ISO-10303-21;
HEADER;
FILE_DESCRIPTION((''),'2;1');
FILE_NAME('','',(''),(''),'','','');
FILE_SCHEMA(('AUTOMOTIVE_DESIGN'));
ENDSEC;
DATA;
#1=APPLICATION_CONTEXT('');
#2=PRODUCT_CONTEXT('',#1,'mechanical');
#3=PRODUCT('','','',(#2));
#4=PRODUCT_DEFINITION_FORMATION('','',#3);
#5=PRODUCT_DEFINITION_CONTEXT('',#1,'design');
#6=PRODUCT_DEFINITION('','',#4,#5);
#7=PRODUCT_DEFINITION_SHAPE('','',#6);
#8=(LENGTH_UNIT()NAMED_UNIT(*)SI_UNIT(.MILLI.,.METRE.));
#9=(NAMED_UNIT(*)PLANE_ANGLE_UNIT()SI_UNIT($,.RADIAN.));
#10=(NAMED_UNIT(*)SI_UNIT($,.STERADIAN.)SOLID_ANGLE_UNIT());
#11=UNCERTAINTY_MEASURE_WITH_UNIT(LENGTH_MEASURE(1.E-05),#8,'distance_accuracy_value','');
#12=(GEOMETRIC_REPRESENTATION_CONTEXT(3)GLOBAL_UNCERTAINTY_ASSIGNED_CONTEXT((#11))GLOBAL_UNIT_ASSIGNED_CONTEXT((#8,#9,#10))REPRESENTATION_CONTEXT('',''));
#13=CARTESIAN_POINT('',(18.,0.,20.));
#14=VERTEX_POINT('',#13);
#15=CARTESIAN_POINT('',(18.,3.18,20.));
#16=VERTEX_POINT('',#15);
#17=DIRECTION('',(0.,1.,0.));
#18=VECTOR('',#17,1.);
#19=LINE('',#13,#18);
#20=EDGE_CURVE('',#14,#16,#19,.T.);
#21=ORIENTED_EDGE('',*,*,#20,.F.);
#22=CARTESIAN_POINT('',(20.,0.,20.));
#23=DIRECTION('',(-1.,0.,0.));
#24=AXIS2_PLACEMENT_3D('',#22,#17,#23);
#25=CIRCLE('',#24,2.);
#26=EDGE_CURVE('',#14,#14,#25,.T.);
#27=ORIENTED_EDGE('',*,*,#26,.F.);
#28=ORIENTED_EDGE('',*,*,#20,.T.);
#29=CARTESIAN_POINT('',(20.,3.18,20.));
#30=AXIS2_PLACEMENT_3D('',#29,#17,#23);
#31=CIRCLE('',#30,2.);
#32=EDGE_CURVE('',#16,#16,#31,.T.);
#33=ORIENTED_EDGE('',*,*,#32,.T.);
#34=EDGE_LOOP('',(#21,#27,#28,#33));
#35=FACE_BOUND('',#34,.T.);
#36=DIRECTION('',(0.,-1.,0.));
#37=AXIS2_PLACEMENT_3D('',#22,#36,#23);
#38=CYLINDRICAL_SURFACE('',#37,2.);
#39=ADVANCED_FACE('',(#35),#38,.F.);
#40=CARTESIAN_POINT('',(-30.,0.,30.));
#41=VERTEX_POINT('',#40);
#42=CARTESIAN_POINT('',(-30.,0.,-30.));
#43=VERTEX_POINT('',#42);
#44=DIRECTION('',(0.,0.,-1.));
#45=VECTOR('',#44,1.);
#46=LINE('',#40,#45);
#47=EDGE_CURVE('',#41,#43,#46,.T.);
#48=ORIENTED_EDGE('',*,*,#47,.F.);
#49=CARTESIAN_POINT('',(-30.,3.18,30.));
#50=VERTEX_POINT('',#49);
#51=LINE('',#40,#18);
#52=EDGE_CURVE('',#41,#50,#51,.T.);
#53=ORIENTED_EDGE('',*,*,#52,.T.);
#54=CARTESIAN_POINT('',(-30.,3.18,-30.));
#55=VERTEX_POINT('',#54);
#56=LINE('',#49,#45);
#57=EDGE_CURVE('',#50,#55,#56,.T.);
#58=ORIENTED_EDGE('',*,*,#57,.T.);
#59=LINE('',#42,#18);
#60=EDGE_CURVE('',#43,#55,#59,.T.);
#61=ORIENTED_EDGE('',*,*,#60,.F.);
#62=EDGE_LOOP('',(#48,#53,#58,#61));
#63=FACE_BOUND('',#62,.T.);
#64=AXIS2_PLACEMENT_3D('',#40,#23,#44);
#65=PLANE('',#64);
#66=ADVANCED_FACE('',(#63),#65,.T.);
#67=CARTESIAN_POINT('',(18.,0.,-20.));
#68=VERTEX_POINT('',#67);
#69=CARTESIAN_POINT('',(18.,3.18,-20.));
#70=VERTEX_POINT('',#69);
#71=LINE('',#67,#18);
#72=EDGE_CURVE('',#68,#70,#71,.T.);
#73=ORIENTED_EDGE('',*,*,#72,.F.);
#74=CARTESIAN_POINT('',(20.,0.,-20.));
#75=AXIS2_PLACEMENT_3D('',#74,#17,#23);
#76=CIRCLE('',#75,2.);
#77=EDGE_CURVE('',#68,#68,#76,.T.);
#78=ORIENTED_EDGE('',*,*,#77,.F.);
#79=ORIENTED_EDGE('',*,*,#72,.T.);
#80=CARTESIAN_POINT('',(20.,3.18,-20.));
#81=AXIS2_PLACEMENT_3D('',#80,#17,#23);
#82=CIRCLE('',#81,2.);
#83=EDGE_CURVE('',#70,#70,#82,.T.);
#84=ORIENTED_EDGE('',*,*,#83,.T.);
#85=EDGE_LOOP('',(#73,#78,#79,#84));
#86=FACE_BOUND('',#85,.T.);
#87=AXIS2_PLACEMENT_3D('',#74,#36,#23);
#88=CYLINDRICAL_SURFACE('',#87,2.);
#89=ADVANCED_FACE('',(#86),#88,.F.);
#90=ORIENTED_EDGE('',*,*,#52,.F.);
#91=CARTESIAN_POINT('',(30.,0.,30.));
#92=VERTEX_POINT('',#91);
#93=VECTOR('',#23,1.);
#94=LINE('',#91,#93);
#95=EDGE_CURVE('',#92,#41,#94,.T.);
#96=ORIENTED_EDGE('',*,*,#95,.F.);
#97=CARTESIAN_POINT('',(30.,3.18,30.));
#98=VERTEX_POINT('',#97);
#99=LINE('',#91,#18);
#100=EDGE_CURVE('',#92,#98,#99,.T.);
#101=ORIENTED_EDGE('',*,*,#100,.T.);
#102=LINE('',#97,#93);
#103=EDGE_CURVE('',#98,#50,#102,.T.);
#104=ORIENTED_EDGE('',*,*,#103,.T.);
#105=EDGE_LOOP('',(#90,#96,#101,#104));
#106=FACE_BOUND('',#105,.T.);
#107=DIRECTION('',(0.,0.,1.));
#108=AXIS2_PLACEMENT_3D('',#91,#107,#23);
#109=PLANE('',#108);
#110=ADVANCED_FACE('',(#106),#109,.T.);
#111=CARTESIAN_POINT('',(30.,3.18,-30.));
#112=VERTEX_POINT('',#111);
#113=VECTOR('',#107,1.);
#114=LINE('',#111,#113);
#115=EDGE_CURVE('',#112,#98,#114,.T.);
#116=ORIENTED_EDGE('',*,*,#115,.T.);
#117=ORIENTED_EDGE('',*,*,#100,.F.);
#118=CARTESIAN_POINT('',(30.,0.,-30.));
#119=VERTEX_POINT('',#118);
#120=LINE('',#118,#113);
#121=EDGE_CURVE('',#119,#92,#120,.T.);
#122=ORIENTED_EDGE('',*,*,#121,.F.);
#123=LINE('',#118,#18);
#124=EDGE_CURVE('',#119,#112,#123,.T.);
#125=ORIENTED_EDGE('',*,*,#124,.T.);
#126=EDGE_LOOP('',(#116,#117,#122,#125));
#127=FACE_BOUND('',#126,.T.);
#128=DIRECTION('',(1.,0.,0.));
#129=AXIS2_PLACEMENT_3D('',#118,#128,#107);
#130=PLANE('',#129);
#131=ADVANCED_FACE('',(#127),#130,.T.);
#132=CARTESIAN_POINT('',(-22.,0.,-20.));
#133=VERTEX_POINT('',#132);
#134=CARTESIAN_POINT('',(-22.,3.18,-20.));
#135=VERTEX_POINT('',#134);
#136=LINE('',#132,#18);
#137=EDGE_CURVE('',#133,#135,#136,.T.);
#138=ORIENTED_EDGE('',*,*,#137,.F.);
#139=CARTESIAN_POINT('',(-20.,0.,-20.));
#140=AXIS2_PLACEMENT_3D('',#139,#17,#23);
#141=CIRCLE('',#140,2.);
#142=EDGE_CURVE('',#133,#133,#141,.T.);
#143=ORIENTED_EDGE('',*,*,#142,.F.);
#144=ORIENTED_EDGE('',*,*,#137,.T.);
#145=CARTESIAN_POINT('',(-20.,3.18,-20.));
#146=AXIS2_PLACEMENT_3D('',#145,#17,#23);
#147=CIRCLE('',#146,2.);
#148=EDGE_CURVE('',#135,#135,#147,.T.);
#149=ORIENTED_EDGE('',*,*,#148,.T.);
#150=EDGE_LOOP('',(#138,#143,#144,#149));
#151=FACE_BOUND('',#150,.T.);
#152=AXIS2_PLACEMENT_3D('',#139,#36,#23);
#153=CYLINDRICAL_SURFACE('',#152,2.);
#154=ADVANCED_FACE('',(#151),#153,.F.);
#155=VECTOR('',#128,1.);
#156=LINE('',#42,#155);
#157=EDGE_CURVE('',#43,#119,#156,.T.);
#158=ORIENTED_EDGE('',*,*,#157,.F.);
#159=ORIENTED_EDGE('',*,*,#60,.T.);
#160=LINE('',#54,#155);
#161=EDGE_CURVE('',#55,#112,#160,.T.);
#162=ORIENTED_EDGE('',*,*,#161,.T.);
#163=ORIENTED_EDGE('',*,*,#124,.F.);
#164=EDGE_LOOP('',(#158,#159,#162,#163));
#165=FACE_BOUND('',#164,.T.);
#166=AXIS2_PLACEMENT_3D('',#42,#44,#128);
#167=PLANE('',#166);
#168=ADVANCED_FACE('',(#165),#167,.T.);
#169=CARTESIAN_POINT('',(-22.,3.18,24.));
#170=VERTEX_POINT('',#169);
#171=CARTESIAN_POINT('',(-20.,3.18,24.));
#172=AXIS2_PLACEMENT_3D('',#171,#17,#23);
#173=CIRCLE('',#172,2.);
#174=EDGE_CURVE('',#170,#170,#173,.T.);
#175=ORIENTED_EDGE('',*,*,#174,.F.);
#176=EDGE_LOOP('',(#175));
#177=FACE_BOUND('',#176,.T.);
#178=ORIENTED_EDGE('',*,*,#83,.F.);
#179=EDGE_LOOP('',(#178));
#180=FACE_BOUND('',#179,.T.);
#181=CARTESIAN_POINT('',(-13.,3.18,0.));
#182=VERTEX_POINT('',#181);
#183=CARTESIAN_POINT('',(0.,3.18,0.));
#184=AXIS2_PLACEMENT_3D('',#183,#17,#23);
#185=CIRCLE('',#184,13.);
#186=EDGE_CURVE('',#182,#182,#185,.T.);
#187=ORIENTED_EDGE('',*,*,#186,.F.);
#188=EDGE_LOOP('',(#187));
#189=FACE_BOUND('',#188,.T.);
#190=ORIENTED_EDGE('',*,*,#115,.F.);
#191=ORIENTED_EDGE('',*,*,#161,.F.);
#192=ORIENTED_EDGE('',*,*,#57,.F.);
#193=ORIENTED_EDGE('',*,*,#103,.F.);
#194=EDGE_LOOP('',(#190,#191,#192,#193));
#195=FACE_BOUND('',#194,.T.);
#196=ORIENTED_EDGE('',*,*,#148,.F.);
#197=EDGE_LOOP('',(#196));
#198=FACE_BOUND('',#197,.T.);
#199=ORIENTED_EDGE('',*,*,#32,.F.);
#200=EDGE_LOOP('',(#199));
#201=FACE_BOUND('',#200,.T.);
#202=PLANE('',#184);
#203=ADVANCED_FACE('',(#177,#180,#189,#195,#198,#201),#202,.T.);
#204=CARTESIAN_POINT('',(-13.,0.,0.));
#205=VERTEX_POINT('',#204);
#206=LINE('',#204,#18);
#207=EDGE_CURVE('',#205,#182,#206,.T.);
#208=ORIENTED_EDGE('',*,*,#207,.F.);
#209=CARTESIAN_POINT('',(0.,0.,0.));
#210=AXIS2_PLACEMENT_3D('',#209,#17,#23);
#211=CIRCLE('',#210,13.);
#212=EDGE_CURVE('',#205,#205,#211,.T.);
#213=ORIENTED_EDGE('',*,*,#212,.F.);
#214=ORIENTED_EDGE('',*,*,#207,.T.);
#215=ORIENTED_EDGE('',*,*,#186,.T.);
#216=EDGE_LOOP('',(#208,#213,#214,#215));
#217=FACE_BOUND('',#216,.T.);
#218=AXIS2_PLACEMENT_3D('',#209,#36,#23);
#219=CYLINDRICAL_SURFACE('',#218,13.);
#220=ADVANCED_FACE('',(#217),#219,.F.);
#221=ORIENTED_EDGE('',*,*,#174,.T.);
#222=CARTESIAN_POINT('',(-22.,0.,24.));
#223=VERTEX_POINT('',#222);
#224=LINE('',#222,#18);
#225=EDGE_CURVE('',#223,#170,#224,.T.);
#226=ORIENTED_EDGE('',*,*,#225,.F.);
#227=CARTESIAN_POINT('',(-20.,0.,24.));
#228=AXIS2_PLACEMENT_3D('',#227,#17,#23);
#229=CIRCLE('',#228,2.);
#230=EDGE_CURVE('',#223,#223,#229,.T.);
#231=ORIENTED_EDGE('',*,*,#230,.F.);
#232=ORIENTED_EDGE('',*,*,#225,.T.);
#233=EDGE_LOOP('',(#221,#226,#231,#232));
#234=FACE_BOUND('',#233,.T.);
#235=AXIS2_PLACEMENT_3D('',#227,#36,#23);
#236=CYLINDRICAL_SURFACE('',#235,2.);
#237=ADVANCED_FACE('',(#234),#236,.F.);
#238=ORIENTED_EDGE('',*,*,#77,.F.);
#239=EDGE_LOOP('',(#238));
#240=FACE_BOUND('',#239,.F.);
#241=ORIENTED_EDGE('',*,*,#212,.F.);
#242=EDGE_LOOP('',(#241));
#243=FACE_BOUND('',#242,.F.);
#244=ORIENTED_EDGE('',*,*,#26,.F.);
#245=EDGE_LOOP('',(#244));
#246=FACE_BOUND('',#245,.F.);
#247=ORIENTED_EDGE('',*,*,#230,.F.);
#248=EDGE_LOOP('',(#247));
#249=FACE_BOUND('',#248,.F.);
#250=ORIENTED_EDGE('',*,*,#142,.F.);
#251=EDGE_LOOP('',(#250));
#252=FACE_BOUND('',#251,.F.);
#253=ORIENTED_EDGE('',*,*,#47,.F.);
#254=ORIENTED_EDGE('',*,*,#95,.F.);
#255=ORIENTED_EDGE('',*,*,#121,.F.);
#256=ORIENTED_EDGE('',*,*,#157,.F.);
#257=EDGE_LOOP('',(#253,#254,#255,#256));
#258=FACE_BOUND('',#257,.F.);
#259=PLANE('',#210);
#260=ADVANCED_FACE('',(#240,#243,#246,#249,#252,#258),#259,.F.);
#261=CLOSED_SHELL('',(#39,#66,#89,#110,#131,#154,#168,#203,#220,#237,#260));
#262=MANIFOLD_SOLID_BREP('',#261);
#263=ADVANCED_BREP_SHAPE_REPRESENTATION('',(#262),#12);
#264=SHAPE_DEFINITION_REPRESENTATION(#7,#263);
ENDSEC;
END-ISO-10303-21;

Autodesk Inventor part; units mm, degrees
ref_plane "YZ Plane" through (0, 0, 0) normal (1, 0, 0) x (0, 1, 0)
ref_plane "XZ Plane" through (0, 0, 0) normal (0, 1, 0) x (-1, 0, 0)
ref_plane "XY Plane" through (0, 0, 0) normal (0, 0, 1) x (1, 0, 0)
sketch "Boceto1" plane through (0, 0, 0) normal (0, 1, 0) x (-1, 0, 0)
  circle A0 centre (0, 0) radius 13
  line L0 (-30, 30) -> (30, 30)
  line L1 (30, 30) -> (30, -30)
  line L2 (30, -30) -> (-30, -30)
  line L3 (-30, -30) -> (-30, 30)
  line L4 (-30, 30) -> (30, -30) construction
  line L5 (30, 30) -> (-30, -30) construction
  circle A1 centre (20, 24) radius 2
  circle A2 centre (20, -20) radius 2
  circle A3 centre (-20, -20) radius 2
  circle A4 centre (-20, 20) radius 2
  point P0 (0, 0)
  point P1 (0, 0)
  dimension "d0" = 26
  dimension "d1" = 60
  dimension "d2" = 60
  dimension "d3" = 4
  dimension "d4" = 4
  dimension "d5" = 4
  dimension "d6" = 4
  dimension "d7" = 40
  dimension "d8" = 20
  dimension "d9" = 20
  dimension "d10" = 40
  dimension "d11" = 40
  dimension "d12" = 20
  dimension "d13" = 40
  dimension "d14" = 20
extrude "Extrusión1" add sketch "Boceto1" along normal blind 3.18
properties part number "BASE_SOST.MEDIO"
